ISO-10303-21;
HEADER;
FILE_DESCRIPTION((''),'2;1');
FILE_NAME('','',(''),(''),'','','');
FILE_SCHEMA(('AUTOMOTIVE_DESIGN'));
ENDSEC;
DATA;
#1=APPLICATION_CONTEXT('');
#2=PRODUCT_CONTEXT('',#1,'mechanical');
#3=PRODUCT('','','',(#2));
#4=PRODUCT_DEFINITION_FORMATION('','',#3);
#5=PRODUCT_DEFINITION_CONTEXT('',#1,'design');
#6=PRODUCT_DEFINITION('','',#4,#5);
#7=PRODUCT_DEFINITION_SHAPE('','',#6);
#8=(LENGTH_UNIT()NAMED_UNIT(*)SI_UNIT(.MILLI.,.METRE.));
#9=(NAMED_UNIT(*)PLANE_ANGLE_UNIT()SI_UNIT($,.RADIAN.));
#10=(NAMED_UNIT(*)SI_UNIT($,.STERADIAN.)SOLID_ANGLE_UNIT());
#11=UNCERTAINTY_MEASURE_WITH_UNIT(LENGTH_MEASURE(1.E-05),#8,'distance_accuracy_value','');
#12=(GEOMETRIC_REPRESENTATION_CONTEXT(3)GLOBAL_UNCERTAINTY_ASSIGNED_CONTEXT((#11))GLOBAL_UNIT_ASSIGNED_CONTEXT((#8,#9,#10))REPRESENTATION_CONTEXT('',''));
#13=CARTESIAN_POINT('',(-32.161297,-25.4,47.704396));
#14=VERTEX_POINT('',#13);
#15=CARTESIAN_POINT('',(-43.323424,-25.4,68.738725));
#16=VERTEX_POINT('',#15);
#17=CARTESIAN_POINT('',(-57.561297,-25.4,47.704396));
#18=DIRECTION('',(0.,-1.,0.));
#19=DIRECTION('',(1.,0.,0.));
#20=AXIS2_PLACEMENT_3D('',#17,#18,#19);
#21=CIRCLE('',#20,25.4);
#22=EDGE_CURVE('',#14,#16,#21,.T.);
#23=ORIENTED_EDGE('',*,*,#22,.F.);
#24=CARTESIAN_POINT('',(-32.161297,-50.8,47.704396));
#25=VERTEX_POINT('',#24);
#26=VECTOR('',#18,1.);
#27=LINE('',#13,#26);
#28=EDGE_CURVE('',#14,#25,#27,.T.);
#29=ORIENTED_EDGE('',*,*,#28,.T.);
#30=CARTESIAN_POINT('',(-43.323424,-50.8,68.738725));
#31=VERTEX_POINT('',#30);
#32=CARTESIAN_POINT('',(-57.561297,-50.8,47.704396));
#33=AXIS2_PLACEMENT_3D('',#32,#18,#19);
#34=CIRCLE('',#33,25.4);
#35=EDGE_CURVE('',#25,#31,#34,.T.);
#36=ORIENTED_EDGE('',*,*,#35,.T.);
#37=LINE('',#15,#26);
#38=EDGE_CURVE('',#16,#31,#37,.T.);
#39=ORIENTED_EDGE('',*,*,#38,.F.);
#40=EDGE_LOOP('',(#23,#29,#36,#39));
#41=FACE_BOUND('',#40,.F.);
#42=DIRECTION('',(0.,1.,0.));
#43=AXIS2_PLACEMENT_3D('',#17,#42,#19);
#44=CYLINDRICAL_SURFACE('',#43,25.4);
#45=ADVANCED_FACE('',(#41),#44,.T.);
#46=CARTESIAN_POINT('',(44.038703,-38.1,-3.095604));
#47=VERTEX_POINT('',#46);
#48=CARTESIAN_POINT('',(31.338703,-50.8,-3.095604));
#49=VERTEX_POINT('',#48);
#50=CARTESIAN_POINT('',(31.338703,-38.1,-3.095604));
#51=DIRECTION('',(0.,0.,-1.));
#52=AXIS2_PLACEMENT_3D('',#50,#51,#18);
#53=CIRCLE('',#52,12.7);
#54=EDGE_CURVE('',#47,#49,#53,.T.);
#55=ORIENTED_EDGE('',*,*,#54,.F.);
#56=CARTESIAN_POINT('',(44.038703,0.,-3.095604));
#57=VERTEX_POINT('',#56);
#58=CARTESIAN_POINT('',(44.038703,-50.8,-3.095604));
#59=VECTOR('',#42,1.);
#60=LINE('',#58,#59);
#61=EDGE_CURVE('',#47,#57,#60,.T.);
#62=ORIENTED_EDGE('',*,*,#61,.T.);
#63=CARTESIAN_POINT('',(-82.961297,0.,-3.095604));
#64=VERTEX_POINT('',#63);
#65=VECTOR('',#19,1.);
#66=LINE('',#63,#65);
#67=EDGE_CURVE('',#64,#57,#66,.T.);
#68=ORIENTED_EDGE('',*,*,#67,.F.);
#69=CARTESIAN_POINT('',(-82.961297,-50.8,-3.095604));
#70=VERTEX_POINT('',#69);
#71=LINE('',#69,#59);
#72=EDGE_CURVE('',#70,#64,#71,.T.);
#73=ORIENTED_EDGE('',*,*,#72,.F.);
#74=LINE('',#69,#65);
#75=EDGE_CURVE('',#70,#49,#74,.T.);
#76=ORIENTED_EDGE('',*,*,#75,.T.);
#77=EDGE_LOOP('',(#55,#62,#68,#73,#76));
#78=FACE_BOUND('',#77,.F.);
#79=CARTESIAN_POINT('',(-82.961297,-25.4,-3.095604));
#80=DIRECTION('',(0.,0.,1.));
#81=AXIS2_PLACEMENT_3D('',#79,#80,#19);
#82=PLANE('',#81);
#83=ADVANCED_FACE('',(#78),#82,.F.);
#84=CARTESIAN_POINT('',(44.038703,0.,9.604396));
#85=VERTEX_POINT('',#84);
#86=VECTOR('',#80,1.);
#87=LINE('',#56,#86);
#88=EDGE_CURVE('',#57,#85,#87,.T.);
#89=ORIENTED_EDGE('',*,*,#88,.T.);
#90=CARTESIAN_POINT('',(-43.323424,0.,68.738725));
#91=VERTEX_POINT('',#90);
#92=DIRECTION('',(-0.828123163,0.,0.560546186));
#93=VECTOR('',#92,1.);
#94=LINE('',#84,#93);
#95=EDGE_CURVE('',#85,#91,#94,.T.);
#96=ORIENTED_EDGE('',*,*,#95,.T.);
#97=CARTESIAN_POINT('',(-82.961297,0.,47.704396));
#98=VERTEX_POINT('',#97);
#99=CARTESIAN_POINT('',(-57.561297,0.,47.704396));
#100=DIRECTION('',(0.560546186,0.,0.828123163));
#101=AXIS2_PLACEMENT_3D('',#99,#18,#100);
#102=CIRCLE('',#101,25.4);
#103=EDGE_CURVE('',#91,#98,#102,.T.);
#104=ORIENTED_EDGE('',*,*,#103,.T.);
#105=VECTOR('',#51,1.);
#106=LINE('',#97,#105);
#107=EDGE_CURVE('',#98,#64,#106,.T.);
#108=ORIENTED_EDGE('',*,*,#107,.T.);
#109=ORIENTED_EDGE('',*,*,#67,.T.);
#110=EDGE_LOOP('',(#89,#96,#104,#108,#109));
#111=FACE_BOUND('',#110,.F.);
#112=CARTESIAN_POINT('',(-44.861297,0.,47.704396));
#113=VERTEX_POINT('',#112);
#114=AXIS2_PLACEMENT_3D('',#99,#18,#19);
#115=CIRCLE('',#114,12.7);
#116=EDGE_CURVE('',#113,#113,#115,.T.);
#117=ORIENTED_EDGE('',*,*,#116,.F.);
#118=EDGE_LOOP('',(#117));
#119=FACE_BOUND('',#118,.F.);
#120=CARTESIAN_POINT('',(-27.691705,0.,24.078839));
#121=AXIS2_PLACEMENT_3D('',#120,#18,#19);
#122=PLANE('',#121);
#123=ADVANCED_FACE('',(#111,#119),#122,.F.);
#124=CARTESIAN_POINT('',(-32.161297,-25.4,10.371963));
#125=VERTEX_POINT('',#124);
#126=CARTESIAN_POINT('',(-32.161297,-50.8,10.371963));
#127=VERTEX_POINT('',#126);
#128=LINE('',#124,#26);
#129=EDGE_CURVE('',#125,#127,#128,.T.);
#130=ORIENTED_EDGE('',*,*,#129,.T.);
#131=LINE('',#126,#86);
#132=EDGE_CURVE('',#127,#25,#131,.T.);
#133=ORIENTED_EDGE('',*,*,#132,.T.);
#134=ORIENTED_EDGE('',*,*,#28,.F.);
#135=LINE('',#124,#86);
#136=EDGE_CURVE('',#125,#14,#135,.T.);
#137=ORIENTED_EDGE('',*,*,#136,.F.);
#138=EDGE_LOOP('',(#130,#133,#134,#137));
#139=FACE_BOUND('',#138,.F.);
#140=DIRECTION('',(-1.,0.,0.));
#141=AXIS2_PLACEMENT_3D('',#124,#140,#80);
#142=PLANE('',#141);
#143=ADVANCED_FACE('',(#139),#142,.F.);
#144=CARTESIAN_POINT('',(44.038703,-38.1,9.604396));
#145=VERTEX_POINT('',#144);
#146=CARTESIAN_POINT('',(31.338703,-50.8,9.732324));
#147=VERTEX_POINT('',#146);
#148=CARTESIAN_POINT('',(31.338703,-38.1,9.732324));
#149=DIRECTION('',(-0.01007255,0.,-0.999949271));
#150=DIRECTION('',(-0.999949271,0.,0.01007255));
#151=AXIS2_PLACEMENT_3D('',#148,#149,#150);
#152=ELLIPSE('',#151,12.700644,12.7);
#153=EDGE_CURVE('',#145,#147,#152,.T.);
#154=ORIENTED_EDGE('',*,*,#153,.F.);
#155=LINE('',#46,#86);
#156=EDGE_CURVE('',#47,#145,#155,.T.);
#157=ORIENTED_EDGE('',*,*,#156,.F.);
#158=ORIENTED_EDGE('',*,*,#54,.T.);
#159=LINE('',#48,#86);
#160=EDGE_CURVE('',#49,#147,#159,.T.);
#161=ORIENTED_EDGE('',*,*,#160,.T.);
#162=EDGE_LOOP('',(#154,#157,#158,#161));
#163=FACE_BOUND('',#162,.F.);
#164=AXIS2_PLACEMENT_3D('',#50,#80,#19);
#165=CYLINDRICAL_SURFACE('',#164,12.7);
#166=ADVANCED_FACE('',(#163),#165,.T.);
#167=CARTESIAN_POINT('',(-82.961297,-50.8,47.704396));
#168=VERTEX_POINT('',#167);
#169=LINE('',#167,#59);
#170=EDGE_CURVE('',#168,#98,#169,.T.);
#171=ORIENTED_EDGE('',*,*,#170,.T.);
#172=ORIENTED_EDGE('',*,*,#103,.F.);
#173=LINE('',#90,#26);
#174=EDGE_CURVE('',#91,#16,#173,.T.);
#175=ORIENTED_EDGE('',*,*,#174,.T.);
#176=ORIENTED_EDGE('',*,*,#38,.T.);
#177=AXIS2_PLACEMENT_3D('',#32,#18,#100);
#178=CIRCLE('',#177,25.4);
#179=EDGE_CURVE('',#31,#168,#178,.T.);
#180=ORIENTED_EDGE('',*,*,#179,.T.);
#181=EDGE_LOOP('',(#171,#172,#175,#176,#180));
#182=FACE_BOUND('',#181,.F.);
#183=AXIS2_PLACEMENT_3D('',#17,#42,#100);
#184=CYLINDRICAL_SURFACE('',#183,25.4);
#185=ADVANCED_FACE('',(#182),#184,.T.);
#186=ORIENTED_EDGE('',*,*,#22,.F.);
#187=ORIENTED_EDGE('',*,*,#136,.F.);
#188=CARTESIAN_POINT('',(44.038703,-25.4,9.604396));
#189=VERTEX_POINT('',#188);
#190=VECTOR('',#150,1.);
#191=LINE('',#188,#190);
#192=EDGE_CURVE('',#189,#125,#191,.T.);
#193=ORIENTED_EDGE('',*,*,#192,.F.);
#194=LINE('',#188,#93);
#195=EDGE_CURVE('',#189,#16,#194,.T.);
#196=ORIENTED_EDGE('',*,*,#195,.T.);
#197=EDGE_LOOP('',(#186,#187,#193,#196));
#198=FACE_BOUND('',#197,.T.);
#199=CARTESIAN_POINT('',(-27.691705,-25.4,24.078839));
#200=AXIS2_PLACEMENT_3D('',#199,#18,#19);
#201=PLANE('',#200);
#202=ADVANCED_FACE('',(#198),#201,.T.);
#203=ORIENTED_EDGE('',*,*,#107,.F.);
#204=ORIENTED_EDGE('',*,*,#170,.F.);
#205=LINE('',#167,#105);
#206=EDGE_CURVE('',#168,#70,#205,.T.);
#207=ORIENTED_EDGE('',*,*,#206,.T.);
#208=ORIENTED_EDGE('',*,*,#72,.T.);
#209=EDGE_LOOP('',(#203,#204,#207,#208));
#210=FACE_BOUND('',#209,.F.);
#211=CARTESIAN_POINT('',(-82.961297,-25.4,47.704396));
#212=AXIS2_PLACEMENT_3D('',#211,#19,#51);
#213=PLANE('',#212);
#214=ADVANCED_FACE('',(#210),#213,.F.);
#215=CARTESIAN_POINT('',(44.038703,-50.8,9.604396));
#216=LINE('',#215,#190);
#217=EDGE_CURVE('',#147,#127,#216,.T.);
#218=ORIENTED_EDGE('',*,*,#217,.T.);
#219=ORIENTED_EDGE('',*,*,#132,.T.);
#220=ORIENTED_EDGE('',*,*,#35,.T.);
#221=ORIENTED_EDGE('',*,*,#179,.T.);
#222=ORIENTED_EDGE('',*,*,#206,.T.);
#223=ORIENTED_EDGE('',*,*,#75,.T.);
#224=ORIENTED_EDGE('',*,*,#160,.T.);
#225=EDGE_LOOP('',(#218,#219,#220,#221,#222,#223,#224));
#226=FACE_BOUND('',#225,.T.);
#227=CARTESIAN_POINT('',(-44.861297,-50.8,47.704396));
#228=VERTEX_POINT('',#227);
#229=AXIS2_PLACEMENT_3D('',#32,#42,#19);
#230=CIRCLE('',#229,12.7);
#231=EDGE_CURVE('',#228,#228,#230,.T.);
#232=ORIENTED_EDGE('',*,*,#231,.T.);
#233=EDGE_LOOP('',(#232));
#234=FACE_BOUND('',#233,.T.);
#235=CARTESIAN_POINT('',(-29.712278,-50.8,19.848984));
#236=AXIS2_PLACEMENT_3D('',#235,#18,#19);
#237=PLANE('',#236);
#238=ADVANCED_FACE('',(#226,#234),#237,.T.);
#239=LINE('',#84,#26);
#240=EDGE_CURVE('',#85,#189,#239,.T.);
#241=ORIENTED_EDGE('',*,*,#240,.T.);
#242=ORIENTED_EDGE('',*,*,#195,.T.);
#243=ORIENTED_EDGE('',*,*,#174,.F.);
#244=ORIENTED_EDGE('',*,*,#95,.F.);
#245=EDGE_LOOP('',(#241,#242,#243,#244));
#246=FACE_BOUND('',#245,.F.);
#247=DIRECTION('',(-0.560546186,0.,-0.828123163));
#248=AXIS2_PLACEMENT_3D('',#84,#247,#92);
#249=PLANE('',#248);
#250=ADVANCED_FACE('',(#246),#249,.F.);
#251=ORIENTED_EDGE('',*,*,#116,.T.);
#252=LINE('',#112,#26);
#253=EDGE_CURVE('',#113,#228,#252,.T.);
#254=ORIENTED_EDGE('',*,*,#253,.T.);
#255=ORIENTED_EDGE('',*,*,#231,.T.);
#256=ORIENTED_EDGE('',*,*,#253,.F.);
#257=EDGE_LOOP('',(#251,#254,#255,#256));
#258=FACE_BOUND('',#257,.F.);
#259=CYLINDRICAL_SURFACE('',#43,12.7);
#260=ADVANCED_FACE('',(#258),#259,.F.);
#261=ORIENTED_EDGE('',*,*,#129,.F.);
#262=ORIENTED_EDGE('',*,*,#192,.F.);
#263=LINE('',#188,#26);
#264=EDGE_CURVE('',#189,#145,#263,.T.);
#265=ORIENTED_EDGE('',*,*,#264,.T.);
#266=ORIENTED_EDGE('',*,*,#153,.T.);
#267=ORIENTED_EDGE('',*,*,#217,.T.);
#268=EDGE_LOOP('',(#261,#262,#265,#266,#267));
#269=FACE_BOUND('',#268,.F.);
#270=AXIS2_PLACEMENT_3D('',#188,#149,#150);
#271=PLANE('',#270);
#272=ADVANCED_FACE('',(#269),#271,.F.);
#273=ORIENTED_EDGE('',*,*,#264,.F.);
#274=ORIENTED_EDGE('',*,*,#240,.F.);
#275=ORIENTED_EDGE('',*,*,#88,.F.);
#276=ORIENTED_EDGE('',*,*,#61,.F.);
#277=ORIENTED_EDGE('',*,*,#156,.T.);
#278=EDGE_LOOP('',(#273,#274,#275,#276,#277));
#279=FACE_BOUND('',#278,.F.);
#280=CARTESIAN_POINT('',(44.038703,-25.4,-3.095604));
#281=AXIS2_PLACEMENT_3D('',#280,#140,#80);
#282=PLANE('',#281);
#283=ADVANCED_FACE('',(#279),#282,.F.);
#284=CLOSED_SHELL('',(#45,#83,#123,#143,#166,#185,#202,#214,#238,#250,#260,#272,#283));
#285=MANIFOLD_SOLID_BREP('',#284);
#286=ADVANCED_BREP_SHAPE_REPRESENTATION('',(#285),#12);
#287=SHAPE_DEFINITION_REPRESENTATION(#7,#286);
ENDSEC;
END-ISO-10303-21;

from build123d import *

# Parameters (mm, degrees)
F0_R     = 12.7
F1_DEPTH = 25.4
F3_DEPTH = 25.4
F4_R     = 12.7


with BuildPart() as f1:
    # F0 (on Front) → F1 (new body)
    with BuildSketch(Plane.XZ):
        with BuildLine():
            Line((44.0387030303, 9.6043962192), (-43.3234238415, 68.7387245609))
            ThreePointArc((-43.3234238415, 68.7387245609), (-69.4675563013, 70.1409955321), (-82.9612969697, 47.7043962192))
            Line((-82.9612969697, 47.7043962192), (-82.9612969697, -3.0956037808))
            Line((-82.9612969697, -3.0956037808), (44.0387030303, -3.0956037808))
            Line((44.0387030303, -3.0956037808), (44.0387030303, 9.6043962192))
        make_face()
        with Locations((-57.5612969697, 47.7043962192)):
            Circle(F0_R, mode=Mode.SUBTRACT)
    extrude(amount=F1_DEPTH)

    # F2 (on face) → F3 (join)
    with BuildSketch(Plane.XZ.offset(25.4)):
        with BuildLine():
            Line((44.0387030303, -3.0956037808), (44.0387030303, 9.6043962192))
            Line((44.0387030303, 9.6043962192), (-32.1612969697, 10.3719634618))
            Line((-32.1612969697, 10.3719634618), (-32.1612969697, 47.7043962192))
            ThreePointArc((-32.1612969697, 47.7043962192), (-35.1246976568, 59.6106555508), (-43.3234238415, 68.7387245609))
            ThreePointArc((-43.3234238415, 68.7387245609), (-69.4675563013, 70.1409955321), (-82.9612969697, 47.7043962192))
            Line((-82.9612969697, 47.7043962192), (-82.9612969697, -3.0956037808))
            Line((-82.9612969697, -3.0956037808), (44.0387030303, -3.0956037808))
        make_face()
        with BuildLine():
            ThreePointArc((-70.2612969697, 47.7043962192), (-57.5612969697, 60.4043962192), (-44.8612969697, 47.7043962192))
            ThreePointArc((-44.8612969697, 47.7043962192), (-57.5612969697, 35.0043962192), (-70.2612969697, 47.7043962192))
        make_face(mode=Mode.SUBTRACT)
    extrude(amount=F3_DEPTH)

    # F4
    f4_edges = [f1.edges().sort_by_distance(p)[0] for p in [
        (44.038703, -50.8, 3.254396),
    ]]
    fillet(f4_edges, radius=F4_R)


solid = f1.part
